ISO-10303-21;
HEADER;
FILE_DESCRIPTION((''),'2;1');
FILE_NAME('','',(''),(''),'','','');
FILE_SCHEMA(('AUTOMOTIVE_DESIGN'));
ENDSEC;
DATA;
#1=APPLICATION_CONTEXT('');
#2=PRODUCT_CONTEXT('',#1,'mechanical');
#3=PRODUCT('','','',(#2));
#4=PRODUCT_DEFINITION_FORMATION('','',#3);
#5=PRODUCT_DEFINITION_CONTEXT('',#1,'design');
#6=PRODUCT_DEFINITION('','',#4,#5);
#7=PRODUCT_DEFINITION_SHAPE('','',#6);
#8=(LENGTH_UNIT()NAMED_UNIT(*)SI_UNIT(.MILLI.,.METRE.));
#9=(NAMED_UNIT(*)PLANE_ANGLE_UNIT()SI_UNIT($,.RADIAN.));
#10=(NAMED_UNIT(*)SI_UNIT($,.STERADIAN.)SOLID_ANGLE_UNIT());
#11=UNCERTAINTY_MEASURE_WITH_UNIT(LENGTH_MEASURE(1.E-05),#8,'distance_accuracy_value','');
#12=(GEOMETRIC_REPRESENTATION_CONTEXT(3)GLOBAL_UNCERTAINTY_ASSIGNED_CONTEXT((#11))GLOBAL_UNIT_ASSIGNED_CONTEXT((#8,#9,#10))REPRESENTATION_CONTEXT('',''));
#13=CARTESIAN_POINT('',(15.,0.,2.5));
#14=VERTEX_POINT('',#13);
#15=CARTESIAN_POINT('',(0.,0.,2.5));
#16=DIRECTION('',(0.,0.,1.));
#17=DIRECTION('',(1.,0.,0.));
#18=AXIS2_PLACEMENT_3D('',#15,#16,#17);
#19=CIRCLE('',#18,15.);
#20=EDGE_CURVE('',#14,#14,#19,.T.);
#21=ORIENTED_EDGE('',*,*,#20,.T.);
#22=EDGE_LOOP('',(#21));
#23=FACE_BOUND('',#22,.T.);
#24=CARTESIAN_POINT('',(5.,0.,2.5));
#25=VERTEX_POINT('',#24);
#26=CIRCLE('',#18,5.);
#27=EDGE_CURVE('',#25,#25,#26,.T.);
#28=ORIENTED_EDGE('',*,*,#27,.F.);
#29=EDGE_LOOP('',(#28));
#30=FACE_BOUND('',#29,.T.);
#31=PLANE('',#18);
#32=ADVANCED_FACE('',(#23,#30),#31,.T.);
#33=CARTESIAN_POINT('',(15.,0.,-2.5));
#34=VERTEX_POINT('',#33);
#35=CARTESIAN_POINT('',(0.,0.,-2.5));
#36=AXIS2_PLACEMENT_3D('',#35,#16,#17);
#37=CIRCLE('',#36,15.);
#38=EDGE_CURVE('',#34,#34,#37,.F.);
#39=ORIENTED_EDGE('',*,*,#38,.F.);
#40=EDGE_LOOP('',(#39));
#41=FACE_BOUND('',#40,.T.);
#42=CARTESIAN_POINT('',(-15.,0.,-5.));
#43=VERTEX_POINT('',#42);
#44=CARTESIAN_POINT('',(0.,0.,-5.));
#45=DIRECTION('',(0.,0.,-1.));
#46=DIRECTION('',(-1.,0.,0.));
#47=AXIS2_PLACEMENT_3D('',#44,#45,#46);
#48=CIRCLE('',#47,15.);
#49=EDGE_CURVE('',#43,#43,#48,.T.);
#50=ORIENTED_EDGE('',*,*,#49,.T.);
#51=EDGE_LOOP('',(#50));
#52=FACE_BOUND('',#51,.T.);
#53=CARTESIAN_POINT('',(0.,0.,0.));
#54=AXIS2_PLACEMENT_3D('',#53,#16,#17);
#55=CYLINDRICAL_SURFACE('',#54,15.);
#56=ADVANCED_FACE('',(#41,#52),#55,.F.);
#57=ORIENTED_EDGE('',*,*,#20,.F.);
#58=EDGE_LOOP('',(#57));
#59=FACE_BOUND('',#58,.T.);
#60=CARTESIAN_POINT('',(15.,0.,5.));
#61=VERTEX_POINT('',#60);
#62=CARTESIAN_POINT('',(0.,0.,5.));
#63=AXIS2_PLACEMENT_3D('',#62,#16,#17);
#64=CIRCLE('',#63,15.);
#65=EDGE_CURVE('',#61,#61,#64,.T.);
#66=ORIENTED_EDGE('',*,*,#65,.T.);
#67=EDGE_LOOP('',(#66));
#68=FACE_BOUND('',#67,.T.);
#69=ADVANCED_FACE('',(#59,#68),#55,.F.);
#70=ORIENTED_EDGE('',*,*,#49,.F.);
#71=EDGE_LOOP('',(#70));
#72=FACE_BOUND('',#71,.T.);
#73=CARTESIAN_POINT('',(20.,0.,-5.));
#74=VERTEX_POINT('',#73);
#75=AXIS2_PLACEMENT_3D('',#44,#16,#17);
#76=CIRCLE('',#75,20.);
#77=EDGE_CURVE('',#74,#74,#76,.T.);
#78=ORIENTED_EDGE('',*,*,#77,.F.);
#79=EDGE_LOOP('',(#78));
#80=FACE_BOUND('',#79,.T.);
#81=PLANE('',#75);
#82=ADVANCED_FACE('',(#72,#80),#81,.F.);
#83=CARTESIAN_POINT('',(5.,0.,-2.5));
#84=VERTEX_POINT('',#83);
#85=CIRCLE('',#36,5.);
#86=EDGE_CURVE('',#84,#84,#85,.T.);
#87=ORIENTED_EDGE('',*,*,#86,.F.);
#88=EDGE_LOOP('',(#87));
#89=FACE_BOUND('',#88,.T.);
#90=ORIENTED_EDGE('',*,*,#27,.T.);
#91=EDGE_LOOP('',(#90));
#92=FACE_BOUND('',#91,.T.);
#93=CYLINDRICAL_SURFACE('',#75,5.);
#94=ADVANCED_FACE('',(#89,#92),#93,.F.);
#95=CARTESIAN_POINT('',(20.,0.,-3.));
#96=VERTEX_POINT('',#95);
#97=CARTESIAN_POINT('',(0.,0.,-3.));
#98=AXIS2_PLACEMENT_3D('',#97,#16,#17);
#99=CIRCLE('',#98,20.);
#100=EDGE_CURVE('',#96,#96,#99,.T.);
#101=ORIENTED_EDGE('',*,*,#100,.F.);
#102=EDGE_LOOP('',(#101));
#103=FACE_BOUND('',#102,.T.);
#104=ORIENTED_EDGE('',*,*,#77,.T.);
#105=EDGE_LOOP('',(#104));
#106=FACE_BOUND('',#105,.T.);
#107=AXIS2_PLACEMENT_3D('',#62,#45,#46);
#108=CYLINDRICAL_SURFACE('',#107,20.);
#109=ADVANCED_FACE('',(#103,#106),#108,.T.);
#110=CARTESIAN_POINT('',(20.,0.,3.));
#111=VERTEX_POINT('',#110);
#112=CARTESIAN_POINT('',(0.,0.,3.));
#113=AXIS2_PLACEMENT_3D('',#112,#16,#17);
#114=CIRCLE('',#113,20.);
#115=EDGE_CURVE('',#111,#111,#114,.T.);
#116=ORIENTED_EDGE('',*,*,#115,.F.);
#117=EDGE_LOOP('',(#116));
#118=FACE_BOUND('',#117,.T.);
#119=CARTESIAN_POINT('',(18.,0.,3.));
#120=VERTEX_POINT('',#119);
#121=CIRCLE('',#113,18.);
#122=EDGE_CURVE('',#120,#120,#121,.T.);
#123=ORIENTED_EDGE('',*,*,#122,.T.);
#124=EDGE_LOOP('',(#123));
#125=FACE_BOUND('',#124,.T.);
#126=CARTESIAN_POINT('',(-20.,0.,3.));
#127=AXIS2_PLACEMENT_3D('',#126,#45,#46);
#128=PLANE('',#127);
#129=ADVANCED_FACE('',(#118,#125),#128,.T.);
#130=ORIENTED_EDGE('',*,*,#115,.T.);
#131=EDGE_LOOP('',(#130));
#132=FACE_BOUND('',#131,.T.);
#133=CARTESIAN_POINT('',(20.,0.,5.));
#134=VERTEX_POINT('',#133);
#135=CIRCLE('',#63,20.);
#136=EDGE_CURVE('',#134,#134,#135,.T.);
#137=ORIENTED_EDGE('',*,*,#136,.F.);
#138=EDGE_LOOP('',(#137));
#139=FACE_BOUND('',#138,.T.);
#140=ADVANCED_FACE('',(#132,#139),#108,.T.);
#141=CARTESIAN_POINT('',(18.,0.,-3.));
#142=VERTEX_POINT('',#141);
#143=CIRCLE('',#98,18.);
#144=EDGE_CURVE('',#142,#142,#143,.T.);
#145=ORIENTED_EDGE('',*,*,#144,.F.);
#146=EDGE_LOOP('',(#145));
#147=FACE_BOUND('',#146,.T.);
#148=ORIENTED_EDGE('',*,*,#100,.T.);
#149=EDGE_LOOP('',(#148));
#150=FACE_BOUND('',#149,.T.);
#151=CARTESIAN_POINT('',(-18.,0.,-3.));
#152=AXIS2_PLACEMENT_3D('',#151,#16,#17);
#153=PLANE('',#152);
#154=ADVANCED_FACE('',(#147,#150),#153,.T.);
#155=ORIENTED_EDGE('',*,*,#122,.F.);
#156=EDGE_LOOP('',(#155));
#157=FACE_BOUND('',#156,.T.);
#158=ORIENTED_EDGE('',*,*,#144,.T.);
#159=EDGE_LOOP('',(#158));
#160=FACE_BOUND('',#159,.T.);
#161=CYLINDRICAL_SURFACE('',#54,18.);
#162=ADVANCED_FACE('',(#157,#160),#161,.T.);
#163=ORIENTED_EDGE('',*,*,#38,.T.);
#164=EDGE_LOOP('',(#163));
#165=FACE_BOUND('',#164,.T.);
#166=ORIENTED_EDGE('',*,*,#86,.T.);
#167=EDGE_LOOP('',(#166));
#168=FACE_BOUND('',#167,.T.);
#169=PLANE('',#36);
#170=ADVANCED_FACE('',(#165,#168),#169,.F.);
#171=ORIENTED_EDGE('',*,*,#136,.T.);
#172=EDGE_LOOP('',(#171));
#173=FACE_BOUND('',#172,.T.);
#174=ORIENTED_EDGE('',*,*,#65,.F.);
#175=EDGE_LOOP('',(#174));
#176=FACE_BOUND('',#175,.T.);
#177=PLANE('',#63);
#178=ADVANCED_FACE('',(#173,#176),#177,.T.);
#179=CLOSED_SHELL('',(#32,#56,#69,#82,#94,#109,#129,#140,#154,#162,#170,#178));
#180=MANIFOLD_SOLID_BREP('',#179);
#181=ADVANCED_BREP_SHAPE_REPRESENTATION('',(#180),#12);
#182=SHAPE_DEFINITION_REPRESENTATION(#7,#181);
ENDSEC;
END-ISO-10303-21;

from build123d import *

# Parameters (mm, degrees)
SKETCH_1_R          = 20
SKETCH_1_R_2        = 15
SKETCH_1_R_3        = 5
EXTRUDE_2_DEPTH     = 5
SKETCH_2_R          = 15
CUT_EXTRUDE_1_DEPTH = 5
SKETCH_3_R          = 15
CUT_EXTRUDE_6_DEPTH = 31
SKETCH_4_R          = 15
EXTRUDE_3_DEPTH     = 2.5
SKETCH_5_R          = 5
CUT_EXTRUDE_7_DEPTH = 30.261749777
SKETCH_8_W          = 2
SKETCH_8_H          = 6


with BuildPart() as part:
    # 草图1 → 凸台-拉伸2 (new, symmetric)
    # profile 1 of 2: a face of its own
    with BuildSketch(Plane.XY):
        Circle(SKETCH_1_R)
        Circle(SKETCH_1_R_2, mode=Mode.SUBTRACT)
    # profile 2 of 2: a face of its own
    with BuildSketch(Plane.XY):
        Circle(SKETCH_1_R_2)
        Circle(SKETCH_1_R_3, mode=Mode.SUBTRACT)
    extrude(amount=EXTRUDE_2_DEPTH, both=True)

    # 草图2 → 切除-拉伸1 (cut)
    with BuildSketch(Plane.XY.offset(5)):
        Circle(SKETCH_2_R)
    extrude(amount=-CUT_EXTRUDE_1_DEPTH, mode=Mode.SUBTRACT)

    # 草图3 → 切除-拉伸6 (cut, through all)
    with BuildSketch(Plane(origin=(0, 0, -5), x_dir=(-1, 0, 0), z_dir=(0, 0, -1))):
        with Locations(Location((0, 0, 0), (0, 0, 180))):
            Circle(SKETCH_3_R)
    extrude(amount=-CUT_EXTRUDE_6_DEPTH, mode=Mode.SUBTRACT)

    # 草图4 → 凸台-拉伸3 (add, symmetric)
    with BuildSketch(Plane.XY):
        Circle(SKETCH_4_R)
    extrude(amount=EXTRUDE_3_DEPTH, both=True)

    # 草图5 → 切除-拉伸7 (cut, through all)
    with BuildSketch(Plane.XY.offset(2.5)):
        Circle(SKETCH_5_R)
    extrude(amount=-CUT_EXTRUDE_7_DEPTH, mode=Mode.SUBTRACT)

    # 草图8 → 切除-旋转1 (revolve, cut)
    with BuildSketch(Plane(origin=(0, 0, 0), x_dir=(1, 0, 0), z_dir=(0, 1, 0)), mode=Mode.PRIVATE) as cut_revolve_1_sk:
        with Locations((-19, 0)):
            Rectangle(SKETCH_8_W, SKETCH_8_H)
    revolve(cut_revolve_1_sk.sketch.rotate(Axis((0, 0, 0), (0, 0, -1)), 180), axis=Axis((0, 0, 0), (0, 0, -1)), mode=Mode.SUBTRACT)


solid = part.part
